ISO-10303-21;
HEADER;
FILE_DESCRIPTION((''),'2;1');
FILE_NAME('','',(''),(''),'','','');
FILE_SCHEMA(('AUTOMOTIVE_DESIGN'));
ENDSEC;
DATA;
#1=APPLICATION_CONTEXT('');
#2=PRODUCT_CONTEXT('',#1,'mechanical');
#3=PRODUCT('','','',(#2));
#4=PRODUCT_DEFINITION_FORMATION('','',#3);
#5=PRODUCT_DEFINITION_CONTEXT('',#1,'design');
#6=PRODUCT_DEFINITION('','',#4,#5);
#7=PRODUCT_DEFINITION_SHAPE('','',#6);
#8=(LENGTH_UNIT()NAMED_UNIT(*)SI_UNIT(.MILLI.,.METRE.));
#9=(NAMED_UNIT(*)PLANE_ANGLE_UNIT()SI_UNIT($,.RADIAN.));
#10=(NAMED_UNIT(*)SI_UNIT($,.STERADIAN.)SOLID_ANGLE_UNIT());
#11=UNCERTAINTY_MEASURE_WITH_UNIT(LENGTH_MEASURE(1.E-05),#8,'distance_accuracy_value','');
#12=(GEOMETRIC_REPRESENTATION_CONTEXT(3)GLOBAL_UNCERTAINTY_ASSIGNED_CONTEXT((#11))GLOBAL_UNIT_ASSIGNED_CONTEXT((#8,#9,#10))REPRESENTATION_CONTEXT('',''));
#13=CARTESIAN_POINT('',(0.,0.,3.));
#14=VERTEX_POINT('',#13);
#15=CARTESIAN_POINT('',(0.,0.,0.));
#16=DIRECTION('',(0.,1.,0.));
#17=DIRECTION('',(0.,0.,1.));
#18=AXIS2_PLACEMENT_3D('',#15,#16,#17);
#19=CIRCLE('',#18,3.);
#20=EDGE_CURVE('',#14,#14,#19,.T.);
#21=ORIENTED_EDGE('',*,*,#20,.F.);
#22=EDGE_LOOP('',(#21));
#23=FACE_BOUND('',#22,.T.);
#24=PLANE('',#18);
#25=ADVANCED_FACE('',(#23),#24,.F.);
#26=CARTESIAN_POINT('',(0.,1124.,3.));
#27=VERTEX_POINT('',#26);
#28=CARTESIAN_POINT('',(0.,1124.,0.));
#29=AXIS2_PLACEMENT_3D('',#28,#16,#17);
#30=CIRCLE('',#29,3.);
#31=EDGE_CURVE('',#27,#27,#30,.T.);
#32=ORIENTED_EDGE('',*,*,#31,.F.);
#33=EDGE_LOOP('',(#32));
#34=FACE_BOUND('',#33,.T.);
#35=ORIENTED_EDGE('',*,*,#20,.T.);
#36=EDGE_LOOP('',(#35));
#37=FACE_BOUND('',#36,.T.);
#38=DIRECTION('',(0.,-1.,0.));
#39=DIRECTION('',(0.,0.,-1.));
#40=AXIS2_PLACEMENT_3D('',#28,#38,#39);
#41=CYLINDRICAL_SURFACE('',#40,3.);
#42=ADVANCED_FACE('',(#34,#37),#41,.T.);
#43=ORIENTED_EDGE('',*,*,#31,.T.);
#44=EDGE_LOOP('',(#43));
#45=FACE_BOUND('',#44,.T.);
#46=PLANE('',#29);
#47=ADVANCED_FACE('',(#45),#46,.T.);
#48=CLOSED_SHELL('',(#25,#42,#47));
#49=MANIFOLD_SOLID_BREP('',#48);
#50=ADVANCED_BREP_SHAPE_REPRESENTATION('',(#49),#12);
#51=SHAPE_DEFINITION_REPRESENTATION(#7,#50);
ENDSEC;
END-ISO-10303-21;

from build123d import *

# Parameters (mm, degrees)
ESBO_O1_R                = 3
RESSALTO_EXTRUS_O1_DEPTH = 1124


with BuildPart() as part:
    # Esboço1 → Ressalto-extrusão1 (new body)
    with BuildSketch(Plane(origin=(0, 0, 0), x_dir=(1, 0, 0), z_dir=(0, 1, 0))):
        Circle(ESBO_O1_R)
    extrude(amount=RESSALTO_EXTRUS_O1_DEPTH)


solid = part.part
